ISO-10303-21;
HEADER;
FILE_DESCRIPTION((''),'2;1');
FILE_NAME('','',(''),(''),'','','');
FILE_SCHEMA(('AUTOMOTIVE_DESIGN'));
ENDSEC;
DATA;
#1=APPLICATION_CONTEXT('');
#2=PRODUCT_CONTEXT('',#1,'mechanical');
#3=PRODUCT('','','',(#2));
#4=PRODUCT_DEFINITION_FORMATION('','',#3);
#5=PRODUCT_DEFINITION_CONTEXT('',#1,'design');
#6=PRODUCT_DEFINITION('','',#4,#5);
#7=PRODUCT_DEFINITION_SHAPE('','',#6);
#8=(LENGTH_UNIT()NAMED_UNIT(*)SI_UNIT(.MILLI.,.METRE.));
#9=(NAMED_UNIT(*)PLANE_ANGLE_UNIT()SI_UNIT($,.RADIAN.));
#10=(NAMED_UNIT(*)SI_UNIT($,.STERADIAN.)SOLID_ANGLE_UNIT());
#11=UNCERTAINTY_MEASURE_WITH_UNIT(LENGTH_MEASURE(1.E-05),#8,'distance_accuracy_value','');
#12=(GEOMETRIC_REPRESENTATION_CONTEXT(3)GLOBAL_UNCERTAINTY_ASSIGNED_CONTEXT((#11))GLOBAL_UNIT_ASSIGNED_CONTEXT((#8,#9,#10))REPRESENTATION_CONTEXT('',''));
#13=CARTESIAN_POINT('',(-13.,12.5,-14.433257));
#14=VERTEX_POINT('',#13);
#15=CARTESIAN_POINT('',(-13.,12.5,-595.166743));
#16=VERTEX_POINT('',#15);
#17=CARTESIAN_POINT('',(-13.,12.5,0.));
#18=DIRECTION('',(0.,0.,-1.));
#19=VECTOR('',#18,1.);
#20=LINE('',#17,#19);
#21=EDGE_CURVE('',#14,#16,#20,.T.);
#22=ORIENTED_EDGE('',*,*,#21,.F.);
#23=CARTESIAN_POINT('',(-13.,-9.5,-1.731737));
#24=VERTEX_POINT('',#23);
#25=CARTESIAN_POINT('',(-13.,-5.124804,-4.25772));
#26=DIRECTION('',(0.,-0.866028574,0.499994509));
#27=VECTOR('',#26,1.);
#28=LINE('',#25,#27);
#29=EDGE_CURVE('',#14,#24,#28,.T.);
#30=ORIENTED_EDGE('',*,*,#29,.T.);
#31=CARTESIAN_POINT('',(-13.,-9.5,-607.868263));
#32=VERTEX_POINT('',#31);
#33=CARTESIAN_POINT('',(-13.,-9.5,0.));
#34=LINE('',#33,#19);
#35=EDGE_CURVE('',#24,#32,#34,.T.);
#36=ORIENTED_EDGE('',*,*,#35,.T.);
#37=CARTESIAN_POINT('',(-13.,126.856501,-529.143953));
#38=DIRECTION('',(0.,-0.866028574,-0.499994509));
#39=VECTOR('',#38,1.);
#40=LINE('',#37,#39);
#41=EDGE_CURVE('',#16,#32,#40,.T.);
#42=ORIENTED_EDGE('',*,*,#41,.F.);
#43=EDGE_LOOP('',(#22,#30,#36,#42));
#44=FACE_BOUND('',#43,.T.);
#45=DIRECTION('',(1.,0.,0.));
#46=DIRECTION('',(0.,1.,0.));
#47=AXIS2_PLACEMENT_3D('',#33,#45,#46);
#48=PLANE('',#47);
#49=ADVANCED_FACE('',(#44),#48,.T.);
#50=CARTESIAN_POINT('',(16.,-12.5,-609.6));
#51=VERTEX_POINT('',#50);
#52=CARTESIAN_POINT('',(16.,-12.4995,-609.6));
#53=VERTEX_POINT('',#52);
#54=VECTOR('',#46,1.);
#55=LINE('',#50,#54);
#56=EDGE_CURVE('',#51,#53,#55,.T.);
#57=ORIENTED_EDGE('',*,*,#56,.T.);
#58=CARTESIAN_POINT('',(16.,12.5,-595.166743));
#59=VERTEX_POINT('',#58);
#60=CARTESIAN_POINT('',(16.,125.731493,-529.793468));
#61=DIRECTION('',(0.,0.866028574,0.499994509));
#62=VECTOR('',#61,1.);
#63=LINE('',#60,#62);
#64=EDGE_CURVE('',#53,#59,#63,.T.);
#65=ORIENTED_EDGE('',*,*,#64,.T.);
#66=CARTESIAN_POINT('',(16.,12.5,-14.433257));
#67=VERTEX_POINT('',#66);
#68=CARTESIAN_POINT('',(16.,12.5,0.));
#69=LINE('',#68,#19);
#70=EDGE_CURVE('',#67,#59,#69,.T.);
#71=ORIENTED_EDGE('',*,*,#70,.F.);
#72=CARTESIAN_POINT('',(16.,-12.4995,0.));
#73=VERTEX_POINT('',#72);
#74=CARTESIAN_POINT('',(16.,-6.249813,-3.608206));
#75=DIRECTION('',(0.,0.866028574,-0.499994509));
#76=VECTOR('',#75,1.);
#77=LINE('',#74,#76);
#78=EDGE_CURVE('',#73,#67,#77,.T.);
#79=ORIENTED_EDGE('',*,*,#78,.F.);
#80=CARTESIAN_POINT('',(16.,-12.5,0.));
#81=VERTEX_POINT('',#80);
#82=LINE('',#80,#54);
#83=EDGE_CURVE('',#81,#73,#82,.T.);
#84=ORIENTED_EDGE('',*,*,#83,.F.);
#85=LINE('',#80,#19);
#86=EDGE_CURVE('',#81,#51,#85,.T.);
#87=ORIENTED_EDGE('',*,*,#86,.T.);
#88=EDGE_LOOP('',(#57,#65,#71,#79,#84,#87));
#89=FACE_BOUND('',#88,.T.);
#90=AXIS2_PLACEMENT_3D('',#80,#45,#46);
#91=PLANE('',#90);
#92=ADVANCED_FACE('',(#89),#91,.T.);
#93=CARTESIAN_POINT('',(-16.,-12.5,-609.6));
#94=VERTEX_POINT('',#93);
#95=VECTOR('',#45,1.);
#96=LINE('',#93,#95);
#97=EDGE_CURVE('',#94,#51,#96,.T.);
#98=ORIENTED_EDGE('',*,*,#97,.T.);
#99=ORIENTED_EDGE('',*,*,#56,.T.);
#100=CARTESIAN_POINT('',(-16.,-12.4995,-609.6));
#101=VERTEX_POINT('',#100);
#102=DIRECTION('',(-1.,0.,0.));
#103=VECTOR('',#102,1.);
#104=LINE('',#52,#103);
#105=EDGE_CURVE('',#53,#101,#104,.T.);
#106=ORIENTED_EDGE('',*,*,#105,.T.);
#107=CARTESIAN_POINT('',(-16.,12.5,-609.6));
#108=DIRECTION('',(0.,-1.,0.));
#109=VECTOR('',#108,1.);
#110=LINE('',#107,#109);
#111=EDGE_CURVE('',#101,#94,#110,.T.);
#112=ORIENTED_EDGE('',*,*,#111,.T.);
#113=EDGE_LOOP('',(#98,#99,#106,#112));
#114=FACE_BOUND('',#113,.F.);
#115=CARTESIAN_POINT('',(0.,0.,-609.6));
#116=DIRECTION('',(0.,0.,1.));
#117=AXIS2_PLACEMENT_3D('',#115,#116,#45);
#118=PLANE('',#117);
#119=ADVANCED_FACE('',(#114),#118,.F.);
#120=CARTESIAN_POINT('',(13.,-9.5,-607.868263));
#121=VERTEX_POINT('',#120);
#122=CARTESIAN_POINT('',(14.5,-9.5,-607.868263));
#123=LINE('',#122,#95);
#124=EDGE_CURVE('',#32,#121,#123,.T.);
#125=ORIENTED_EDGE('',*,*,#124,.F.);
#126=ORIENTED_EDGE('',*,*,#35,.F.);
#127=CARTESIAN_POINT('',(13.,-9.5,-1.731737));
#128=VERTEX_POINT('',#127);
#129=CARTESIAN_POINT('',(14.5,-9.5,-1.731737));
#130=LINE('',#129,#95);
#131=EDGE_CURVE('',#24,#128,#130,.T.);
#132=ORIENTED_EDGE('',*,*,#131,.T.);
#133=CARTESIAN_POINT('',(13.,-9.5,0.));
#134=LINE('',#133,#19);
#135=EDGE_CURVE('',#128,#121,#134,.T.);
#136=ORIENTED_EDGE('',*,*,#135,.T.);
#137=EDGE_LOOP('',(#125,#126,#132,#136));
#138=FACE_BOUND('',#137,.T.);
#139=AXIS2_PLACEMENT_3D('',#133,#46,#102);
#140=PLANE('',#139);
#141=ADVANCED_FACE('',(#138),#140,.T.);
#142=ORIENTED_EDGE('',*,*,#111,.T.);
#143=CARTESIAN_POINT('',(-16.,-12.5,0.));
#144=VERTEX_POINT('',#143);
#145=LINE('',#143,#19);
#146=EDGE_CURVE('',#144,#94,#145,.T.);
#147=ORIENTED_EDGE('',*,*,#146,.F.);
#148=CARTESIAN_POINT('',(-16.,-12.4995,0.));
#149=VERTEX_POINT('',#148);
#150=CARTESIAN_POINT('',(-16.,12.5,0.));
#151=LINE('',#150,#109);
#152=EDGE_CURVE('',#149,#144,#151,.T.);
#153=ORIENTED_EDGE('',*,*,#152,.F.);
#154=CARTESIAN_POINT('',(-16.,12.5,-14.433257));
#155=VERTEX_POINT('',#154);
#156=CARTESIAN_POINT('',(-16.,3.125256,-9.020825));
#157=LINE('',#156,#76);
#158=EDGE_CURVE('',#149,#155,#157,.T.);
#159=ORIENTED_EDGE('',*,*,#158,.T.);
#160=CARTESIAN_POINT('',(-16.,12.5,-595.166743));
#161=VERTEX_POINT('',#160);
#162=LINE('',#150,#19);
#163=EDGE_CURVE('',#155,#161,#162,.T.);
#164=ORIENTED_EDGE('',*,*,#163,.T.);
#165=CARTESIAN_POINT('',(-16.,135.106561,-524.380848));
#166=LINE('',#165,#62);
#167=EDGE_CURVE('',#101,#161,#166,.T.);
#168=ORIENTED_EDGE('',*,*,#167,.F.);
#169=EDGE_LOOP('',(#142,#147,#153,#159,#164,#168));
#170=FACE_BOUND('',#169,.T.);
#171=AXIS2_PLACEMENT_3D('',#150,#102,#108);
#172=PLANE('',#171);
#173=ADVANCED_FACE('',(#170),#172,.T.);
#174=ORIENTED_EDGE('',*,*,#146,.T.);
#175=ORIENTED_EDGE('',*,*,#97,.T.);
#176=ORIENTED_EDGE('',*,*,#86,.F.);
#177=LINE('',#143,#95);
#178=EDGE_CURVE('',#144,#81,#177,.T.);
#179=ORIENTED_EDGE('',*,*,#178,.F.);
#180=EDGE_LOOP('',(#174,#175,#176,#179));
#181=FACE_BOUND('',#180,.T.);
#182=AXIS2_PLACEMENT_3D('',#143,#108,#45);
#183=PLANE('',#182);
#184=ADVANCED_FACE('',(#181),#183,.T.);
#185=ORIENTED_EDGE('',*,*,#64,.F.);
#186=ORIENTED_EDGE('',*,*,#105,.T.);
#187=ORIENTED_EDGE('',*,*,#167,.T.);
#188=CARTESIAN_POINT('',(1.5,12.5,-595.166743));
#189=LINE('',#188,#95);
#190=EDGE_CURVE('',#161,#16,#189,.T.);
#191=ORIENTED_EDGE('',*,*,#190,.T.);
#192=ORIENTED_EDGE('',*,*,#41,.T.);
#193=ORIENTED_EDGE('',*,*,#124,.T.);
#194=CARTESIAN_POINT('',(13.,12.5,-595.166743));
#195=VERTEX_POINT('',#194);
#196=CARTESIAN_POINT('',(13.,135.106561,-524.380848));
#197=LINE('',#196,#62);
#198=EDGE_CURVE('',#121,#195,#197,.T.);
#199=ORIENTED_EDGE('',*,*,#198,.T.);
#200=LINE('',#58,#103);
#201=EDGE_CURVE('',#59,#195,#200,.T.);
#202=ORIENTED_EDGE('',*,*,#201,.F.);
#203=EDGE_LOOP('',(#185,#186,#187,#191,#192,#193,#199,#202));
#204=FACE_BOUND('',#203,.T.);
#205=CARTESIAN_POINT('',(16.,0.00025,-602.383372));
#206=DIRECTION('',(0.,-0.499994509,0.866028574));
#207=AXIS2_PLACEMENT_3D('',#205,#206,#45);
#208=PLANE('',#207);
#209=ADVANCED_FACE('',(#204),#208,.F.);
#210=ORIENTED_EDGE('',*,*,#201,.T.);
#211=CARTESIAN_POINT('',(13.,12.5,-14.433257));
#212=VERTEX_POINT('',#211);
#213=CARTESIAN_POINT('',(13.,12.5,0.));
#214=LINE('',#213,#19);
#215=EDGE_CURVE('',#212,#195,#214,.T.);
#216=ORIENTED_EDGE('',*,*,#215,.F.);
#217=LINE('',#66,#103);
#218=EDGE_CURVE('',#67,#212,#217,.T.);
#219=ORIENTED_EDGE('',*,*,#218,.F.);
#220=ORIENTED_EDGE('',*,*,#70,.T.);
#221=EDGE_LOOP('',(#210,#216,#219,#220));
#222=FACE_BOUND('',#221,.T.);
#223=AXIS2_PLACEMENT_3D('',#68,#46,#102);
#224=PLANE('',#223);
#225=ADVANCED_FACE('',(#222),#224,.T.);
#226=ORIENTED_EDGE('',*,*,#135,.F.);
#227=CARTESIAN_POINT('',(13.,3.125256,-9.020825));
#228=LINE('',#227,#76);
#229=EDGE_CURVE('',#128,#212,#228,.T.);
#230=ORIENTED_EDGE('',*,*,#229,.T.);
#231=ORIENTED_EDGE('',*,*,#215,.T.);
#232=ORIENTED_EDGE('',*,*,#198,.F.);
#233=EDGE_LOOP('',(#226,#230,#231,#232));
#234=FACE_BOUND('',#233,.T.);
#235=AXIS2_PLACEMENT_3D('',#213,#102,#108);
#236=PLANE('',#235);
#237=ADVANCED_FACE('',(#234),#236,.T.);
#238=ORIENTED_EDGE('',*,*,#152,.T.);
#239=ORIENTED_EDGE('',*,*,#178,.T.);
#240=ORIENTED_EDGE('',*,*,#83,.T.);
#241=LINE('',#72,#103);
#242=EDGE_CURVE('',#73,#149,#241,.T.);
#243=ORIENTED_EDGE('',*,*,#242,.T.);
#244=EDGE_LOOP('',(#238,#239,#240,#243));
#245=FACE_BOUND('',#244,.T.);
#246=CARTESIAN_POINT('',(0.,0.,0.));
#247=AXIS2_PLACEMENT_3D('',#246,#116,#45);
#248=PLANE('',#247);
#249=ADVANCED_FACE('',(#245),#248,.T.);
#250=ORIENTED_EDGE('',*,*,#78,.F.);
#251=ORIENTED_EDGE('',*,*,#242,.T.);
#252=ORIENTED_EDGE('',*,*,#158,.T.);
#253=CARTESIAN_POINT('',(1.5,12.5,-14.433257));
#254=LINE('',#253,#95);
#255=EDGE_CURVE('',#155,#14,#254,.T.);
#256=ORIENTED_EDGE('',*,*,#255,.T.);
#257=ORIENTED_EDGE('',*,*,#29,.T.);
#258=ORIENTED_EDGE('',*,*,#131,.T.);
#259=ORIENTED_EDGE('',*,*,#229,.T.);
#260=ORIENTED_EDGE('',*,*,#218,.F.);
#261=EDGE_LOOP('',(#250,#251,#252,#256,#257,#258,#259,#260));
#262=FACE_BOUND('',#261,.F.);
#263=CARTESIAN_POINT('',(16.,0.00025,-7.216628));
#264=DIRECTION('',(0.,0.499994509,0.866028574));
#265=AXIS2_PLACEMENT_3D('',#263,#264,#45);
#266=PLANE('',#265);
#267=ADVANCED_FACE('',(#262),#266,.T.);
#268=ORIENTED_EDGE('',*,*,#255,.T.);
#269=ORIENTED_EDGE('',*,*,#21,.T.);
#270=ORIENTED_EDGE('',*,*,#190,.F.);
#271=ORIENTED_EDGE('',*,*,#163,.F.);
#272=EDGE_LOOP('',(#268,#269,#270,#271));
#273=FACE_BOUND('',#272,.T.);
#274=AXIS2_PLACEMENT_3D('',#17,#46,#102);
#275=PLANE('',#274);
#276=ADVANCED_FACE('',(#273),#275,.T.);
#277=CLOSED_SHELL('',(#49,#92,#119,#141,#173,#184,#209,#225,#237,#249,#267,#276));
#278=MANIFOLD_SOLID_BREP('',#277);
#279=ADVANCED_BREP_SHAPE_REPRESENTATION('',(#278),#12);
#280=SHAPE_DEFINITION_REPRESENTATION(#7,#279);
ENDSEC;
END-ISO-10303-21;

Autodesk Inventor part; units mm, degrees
ref_plane "YZ Plane" through (0, 0, 0) normal (1, 0, 0) x (0, 1, 0)
ref_plane "XZ Plane" through (0, 0, 0) normal (0, 1, 0) x (-1, 0, 0)
ref_plane "XY Plane" through (0, 0, 0) normal (0, 0, 1) x (1, 0, 0)
sketch "Sketch1" plane through (0, 0, 0) normal (0, 0, 1) x (1, 0, 0)
  line L0 (-16, -12.5) -> (16, -12.5)
  line L1 (16, -12.5) -> (16, 12.5)
  line L2 (16, 12.5) -> (13, 12.5)
  line L3 (13, 12.5) -> (13, -9.5)
  line L4 (13, -9.5) -> (-13, -9.5)
  line L5 (-13, -9.5) -> (-13, 12.5)
  line L6 (-13, 12.5) -> (-16, 12.5)
  line L7 (-16, 12.5) -> (-16, -12.5)
  point P0 (0, 0)
  dimension "d0" = 32
  dimension "d1" = 25
  dimension "d2" = 3
  dimension "d3" = 90
  dimension "d4" = 22
  dimension "d5" = 26
  dimension "d6" = 22
  dimension "d7" = 3
  dimension "d8" = 25
  dimension "d10" = 12.5
  dimension "d11" = 16
extrude "Extrusion1" add sketch "Sketch1" against normal blind 609.6
chamfer "Chamfer1" distance 25 angle 30 1 edges at (14.5, 12.5, 0) measured on face at (4.3333, -11.5, 0)
chamfer "Chamfer2" distance 25 angle 30 1 edges at (14.5, 12.5, -609.6) measured on face at (4.3333, -11.5, -609.6)
equation "\"d5\" = d0 - 2 * d2"
equation "\"d10\" = 0.5 * d1"
equation "\"d11\" = 0.5 * d0"
properties part number "Chassis Edge"
